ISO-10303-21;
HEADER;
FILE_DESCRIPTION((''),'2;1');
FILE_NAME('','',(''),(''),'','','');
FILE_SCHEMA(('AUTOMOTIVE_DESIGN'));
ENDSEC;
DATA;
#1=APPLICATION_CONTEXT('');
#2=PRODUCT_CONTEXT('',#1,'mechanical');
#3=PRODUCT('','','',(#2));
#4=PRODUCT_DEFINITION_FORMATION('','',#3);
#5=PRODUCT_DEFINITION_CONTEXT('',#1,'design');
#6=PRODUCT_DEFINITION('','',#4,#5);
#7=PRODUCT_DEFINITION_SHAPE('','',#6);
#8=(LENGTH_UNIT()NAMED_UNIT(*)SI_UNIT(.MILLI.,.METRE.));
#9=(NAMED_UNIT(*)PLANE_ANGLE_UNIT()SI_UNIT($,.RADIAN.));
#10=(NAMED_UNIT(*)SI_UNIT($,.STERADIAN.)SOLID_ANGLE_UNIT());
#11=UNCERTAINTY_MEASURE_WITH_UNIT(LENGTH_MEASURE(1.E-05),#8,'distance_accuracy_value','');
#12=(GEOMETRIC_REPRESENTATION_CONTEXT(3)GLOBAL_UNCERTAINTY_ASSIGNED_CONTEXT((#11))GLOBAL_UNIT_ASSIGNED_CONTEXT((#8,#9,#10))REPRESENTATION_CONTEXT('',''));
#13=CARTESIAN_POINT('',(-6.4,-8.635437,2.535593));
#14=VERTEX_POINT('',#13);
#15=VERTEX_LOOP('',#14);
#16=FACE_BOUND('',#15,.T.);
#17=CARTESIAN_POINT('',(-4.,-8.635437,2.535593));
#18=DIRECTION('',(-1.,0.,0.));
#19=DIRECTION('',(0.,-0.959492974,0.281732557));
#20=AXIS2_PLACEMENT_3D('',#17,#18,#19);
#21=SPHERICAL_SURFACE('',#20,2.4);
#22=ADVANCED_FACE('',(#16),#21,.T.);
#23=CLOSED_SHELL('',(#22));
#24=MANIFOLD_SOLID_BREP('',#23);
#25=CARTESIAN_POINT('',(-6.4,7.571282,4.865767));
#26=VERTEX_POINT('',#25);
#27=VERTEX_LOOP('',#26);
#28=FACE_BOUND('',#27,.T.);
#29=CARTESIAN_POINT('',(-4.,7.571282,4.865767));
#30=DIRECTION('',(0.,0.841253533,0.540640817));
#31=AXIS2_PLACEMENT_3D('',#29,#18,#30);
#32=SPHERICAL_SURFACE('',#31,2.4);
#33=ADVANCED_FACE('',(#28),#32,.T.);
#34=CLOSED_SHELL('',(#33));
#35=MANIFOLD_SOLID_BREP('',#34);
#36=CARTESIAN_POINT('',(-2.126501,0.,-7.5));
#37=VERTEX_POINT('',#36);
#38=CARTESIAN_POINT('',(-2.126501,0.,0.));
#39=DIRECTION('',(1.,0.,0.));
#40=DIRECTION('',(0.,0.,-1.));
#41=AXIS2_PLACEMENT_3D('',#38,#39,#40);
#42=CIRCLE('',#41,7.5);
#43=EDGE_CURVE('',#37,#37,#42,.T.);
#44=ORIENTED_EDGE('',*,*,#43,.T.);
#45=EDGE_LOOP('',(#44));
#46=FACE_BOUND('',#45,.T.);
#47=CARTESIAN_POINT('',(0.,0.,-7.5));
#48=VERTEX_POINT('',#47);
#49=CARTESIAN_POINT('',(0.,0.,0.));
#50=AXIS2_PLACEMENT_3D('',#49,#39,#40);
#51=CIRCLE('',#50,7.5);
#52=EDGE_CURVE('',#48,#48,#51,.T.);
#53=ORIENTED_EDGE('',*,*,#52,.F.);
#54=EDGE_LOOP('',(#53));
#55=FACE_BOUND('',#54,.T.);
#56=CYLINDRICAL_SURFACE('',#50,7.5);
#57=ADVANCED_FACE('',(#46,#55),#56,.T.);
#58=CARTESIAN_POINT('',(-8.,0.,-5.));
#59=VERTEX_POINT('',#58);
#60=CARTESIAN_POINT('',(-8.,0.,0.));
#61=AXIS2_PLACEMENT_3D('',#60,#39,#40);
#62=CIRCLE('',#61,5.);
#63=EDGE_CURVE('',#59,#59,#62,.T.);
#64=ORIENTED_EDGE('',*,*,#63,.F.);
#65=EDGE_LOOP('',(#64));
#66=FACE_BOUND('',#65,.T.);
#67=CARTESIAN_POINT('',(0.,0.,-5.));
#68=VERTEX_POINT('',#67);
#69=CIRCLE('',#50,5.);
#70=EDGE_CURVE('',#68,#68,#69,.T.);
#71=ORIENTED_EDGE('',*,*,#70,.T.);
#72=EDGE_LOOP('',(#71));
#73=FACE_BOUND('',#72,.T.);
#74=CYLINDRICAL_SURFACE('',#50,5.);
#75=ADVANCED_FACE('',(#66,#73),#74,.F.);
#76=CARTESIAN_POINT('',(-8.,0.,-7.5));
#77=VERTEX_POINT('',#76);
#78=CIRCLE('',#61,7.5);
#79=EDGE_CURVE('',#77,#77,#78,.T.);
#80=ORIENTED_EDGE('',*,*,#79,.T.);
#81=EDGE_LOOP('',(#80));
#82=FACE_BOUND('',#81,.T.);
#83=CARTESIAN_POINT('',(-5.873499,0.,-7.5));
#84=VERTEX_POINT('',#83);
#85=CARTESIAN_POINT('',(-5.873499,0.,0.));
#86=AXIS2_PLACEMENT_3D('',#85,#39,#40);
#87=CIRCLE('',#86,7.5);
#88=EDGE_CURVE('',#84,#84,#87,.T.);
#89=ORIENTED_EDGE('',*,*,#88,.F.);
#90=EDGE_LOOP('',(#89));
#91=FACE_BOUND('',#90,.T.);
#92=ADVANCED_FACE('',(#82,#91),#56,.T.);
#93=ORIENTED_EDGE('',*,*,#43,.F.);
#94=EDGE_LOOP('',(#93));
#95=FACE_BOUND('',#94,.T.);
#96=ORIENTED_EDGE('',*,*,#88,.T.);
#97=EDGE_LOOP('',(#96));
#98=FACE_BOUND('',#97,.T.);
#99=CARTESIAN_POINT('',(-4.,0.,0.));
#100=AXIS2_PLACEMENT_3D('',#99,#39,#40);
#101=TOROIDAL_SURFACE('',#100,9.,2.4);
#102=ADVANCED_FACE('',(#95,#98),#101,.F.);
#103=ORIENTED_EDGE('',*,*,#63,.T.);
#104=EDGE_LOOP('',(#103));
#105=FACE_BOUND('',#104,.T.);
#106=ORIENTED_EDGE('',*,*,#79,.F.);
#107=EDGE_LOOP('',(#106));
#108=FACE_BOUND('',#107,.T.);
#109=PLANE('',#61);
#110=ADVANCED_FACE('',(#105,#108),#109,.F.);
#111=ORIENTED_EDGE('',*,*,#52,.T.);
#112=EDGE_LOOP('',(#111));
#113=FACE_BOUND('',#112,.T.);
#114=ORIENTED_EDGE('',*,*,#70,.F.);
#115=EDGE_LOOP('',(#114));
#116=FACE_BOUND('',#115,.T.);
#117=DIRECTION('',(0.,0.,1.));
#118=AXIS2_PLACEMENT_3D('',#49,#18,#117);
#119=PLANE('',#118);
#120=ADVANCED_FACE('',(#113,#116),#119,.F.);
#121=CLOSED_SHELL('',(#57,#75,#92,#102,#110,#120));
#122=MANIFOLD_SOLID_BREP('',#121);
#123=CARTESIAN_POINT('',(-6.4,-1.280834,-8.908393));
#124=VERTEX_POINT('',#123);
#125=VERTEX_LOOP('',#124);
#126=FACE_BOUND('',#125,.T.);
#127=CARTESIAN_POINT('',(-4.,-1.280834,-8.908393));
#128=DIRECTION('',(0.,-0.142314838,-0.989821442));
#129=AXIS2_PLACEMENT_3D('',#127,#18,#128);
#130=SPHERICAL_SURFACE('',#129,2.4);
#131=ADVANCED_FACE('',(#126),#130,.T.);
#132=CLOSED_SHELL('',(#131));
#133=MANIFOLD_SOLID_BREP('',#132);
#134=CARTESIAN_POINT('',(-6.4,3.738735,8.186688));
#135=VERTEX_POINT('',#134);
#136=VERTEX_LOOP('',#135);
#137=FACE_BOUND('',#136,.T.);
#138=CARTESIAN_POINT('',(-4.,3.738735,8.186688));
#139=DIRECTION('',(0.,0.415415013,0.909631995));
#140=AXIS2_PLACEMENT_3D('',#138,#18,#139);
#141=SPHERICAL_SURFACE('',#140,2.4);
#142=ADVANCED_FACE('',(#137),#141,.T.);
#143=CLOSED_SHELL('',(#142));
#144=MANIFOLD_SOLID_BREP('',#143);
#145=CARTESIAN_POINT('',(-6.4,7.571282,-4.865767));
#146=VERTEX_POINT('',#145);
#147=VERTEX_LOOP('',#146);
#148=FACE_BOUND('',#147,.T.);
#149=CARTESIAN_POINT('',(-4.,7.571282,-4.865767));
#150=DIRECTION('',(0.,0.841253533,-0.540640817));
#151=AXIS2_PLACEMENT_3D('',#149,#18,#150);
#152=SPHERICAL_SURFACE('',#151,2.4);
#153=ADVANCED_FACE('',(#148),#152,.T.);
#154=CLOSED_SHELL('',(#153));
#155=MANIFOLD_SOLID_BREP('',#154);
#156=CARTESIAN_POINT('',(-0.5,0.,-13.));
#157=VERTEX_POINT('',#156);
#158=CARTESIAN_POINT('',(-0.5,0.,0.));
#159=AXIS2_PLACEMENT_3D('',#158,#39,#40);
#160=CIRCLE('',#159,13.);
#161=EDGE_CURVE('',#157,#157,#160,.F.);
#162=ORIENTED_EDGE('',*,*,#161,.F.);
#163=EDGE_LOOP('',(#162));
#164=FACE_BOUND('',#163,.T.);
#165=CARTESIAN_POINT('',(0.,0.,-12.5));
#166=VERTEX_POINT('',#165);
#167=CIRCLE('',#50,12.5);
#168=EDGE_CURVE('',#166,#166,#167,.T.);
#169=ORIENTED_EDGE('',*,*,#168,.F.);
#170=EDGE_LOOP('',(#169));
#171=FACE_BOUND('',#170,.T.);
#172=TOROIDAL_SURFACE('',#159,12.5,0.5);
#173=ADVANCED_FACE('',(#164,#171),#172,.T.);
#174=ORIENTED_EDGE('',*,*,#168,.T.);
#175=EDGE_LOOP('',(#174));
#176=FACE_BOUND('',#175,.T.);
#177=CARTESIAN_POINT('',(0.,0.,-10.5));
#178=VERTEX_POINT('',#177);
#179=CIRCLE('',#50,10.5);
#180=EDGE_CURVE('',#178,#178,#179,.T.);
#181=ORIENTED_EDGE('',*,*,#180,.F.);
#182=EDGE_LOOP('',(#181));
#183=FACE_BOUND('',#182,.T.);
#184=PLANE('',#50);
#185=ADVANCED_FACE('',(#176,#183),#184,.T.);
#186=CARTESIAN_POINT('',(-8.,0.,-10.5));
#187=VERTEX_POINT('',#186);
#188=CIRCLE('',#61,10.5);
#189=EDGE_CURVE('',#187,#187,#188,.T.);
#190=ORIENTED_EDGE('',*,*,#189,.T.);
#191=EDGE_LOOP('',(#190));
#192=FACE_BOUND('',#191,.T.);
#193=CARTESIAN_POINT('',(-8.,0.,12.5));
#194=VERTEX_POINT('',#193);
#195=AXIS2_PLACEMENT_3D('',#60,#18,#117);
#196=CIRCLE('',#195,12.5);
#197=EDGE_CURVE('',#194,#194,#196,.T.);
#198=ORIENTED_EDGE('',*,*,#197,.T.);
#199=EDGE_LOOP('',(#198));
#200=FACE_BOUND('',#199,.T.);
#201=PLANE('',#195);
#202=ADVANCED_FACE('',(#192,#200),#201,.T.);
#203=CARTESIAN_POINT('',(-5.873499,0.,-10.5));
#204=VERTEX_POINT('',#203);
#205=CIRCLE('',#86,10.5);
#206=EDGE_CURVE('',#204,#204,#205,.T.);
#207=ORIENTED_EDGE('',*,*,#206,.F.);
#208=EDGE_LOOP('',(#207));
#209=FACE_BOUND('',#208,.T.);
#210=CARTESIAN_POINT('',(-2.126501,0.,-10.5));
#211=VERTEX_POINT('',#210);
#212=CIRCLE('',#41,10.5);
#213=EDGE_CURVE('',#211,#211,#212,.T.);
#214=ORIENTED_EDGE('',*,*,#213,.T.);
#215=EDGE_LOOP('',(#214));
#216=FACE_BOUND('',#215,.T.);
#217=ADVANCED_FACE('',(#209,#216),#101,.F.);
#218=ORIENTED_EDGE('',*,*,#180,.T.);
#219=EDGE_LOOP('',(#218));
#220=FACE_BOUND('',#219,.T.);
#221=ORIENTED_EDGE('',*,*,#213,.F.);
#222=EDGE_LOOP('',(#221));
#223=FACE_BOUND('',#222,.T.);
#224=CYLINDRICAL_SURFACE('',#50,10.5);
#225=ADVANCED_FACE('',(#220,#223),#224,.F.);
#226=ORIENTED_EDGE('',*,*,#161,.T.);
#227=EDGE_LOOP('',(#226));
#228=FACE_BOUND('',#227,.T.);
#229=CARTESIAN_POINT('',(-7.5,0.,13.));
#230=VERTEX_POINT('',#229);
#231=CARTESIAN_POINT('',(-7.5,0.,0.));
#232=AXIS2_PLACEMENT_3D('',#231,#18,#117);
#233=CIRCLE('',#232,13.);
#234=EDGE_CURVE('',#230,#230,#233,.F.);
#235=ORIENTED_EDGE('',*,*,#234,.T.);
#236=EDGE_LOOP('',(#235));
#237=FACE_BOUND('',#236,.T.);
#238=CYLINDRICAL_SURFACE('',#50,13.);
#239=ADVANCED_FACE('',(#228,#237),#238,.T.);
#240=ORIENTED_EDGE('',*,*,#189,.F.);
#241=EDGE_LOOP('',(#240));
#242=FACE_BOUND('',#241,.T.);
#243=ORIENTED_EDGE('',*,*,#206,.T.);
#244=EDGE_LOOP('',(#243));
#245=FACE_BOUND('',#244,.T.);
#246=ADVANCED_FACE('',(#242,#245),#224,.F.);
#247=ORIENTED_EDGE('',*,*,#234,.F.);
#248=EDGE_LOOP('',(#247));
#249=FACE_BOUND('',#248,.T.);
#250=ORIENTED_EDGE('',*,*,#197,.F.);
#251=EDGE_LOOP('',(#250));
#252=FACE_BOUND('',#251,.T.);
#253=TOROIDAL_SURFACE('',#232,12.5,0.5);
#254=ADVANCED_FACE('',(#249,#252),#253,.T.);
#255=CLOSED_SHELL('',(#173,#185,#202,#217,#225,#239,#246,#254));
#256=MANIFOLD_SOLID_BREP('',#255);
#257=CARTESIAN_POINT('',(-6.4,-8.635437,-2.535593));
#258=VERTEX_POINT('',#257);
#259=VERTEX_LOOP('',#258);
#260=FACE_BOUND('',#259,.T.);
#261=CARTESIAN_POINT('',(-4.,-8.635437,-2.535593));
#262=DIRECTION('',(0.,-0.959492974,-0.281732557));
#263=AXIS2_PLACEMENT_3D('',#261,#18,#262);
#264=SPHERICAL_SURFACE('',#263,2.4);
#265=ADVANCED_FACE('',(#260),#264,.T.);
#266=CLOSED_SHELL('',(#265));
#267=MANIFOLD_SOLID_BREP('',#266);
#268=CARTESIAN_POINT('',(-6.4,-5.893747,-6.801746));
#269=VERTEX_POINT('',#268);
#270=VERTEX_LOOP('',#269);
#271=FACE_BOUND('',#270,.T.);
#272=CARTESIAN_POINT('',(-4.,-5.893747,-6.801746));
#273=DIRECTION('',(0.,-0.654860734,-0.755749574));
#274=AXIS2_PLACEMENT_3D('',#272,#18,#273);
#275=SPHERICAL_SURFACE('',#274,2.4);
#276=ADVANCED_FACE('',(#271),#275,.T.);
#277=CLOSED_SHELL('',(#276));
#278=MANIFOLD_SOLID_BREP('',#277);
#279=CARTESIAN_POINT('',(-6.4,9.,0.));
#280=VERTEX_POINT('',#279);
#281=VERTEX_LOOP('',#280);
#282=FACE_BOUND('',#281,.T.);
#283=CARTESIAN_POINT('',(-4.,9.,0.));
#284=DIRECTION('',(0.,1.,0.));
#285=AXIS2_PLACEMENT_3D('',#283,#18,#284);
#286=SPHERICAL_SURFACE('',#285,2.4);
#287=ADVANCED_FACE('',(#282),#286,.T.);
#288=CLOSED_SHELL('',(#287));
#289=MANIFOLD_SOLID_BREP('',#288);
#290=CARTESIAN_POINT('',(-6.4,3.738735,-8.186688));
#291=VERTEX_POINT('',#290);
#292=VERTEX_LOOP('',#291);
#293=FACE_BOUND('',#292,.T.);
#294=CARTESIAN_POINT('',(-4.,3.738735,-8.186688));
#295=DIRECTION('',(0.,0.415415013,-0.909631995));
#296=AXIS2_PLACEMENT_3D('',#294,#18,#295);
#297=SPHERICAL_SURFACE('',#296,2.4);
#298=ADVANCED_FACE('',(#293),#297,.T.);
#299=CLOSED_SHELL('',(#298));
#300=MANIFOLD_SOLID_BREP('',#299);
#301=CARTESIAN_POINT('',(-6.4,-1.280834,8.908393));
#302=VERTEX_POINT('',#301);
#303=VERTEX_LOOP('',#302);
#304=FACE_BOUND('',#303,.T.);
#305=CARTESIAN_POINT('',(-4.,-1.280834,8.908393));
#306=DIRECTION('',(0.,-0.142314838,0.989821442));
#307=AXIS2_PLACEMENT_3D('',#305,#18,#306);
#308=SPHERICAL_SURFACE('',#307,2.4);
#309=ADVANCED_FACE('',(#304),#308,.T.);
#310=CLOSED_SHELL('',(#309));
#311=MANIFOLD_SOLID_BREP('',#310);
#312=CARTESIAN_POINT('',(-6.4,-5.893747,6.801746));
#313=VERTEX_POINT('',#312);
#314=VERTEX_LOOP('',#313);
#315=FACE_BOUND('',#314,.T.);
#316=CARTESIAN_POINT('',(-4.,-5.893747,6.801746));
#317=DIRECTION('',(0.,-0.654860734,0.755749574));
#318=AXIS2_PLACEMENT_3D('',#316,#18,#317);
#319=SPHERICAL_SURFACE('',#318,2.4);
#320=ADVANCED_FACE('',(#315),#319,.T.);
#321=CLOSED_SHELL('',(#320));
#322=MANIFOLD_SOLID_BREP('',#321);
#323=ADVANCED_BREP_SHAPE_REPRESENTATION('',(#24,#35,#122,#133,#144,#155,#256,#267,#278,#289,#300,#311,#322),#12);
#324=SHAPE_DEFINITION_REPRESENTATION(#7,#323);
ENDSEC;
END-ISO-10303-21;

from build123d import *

# Parameters (mm, degrees)
R_P_TITION_CIRCULAIRE1_COUNT = 11
CONG_1_R                     = 0.5


with BuildPart() as part:
    # Esquisse1 → Révolution1 (revolve)
    with BuildSketch(Plane.XY, mode=Mode.PRIVATE) as r_volution1_sk:
        with BuildLine():
            ThreePointArc((-5.8734994, 7.5), (-4, 6.6), (-2.1265006, 7.5))
            Line((-2.1265006, 7.5), (0, 7.5))
            Line((0, 7.5), (0, 5))
            Line((0, 5), (-8, 5))
            Line((-8, 5), (-8, 7.5))
            Line((-8, 7.5), (-5.8734994, 7.5))
        make_face()
        with BuildLine():
            ThreePointArc((-2.1265006, 10.5), (-4, 11.4), (-5.8734994, 10.5))
            Line((-5.8734994, 10.5), (-8, 10.5))
            Line((-8, 10.5), (-8, 13))
            Line((-8, 13), (0, 13))
            Line((0, 13), (0, 10.5))
            Line((0, 10.5), (-2.1265006, 10.5))
        make_face()
    revolve(r_volution1_sk.sketch.rotate(Axis((0, 0, 0), (-1, 0, 0)), 90), axis=Axis((0, 0, 0), (-1, 0, 0)))

    # Congé1
    cong_1_edges = [part.edges().sort_by_distance(p)[0] for p in [
        (-8, 0, 13),
        (0, 0, 13),
    ]]
    fillet(cong_1_edges, radius=CONG_1_R)


with BuildPart() as body_2:
    # Esquisse2 → Révolution2 (revolve)
    with BuildSketch(Plane.XY):
        with BuildLine():
            Line((-1.6, 9), (-4, 9))
            Line((-4, 9), (-6.4, 9))
            ThreePointArc((-6.4, 9), (-4, 11.4), (-1.6, 9))
        make_face()
    revolve(axis=Axis((-7.595195311, 9, 0), (1, 0, 0)))


with BuildPart() as r_p_tition_circulaire1_1:
    # Répétition circulaire1: pattern copy
    add(body_2.part.rotate(Axis((0, 0, 0), (1, 0, 0)), 1 * 360 / R_P_TITION_CIRCULAIRE1_COUNT))


with BuildPart() as r_p_tition_circulaire1_2:
    # Répétition circulaire1: pattern copy
    add(body_2.part.rotate(Axis((0, 0, 0), (1, 0, 0)), 2 * 360 / R_P_TITION_CIRCULAIRE1_COUNT))


with BuildPart() as r_p_tition_circulaire1_3:
    # Répétition circulaire1: pattern copy
    add(body_2.part.rotate(Axis((0, 0, 0), (1, 0, 0)), 3 * 360 / R_P_TITION_CIRCULAIRE1_COUNT))


with BuildPart() as r_p_tition_circulaire1_4:
    # Répétition circulaire1: pattern copy
    add(body_2.part.rotate(Axis((0, 0, 0), (1, 0, 0)), 4 * 360 / R_P_TITION_CIRCULAIRE1_COUNT))


with BuildPart() as r_p_tition_circulaire1_5:
    # Répétition circulaire1: pattern copy
    add(body_2.part.rotate(Axis((0, 0, 0), (1, 0, 0)), 5 * 360 / R_P_TITION_CIRCULAIRE1_COUNT))


with BuildPart() as r_p_tition_circulaire1_6:
    # Répétition circulaire1: pattern copy
    add(body_2.part.rotate(Axis((0, 0, 0), (1, 0, 0)), 6 * 360 / R_P_TITION_CIRCULAIRE1_COUNT))


with BuildPart() as r_p_tition_circulaire1_7:
    # Répétition circulaire1: pattern copy
    add(body_2.part.rotate(Axis((0, 0, 0), (1, 0, 0)), 7 * 360 / R_P_TITION_CIRCULAIRE1_COUNT))


with BuildPart() as r_p_tition_circulaire1_8:
    # Répétition circulaire1: pattern copy
    add(body_2.part.rotate(Axis((0, 0, 0), (1, 0, 0)), 8 * 360 / R_P_TITION_CIRCULAIRE1_COUNT))


with BuildPart() as r_p_tition_circulaire1_9:
    # Répétition circulaire1: pattern copy
    add(body_2.part.rotate(Axis((0, 0, 0), (1, 0, 0)), 9 * 360 / R_P_TITION_CIRCULAIRE1_COUNT))


with BuildPart() as r_p_tition_circulaire1_10:
    # Répétition circulaire1: pattern copy
    add(body_2.part.rotate(Axis((0, 0, 0), (1, 0, 0)), 10 * 360 / R_P_TITION_CIRCULAIRE1_COUNT))


solid = Compound([part.part, body_2.part, r_p_tition_circulaire1_1.part, r_p_tition_circulaire1_2.part, r_p_tition_circulaire1_3.part, r_p_tition_circulaire1_4.part, r_p_tition_circulaire1_5.part, r_p_tition_circulaire1_6.part, r_p_tition_circulaire1_7.part, r_p_tition_circulaire1_8.part, r_p_tition_circulaire1_9.part, r_p_tition_circulaire1_10.part])
